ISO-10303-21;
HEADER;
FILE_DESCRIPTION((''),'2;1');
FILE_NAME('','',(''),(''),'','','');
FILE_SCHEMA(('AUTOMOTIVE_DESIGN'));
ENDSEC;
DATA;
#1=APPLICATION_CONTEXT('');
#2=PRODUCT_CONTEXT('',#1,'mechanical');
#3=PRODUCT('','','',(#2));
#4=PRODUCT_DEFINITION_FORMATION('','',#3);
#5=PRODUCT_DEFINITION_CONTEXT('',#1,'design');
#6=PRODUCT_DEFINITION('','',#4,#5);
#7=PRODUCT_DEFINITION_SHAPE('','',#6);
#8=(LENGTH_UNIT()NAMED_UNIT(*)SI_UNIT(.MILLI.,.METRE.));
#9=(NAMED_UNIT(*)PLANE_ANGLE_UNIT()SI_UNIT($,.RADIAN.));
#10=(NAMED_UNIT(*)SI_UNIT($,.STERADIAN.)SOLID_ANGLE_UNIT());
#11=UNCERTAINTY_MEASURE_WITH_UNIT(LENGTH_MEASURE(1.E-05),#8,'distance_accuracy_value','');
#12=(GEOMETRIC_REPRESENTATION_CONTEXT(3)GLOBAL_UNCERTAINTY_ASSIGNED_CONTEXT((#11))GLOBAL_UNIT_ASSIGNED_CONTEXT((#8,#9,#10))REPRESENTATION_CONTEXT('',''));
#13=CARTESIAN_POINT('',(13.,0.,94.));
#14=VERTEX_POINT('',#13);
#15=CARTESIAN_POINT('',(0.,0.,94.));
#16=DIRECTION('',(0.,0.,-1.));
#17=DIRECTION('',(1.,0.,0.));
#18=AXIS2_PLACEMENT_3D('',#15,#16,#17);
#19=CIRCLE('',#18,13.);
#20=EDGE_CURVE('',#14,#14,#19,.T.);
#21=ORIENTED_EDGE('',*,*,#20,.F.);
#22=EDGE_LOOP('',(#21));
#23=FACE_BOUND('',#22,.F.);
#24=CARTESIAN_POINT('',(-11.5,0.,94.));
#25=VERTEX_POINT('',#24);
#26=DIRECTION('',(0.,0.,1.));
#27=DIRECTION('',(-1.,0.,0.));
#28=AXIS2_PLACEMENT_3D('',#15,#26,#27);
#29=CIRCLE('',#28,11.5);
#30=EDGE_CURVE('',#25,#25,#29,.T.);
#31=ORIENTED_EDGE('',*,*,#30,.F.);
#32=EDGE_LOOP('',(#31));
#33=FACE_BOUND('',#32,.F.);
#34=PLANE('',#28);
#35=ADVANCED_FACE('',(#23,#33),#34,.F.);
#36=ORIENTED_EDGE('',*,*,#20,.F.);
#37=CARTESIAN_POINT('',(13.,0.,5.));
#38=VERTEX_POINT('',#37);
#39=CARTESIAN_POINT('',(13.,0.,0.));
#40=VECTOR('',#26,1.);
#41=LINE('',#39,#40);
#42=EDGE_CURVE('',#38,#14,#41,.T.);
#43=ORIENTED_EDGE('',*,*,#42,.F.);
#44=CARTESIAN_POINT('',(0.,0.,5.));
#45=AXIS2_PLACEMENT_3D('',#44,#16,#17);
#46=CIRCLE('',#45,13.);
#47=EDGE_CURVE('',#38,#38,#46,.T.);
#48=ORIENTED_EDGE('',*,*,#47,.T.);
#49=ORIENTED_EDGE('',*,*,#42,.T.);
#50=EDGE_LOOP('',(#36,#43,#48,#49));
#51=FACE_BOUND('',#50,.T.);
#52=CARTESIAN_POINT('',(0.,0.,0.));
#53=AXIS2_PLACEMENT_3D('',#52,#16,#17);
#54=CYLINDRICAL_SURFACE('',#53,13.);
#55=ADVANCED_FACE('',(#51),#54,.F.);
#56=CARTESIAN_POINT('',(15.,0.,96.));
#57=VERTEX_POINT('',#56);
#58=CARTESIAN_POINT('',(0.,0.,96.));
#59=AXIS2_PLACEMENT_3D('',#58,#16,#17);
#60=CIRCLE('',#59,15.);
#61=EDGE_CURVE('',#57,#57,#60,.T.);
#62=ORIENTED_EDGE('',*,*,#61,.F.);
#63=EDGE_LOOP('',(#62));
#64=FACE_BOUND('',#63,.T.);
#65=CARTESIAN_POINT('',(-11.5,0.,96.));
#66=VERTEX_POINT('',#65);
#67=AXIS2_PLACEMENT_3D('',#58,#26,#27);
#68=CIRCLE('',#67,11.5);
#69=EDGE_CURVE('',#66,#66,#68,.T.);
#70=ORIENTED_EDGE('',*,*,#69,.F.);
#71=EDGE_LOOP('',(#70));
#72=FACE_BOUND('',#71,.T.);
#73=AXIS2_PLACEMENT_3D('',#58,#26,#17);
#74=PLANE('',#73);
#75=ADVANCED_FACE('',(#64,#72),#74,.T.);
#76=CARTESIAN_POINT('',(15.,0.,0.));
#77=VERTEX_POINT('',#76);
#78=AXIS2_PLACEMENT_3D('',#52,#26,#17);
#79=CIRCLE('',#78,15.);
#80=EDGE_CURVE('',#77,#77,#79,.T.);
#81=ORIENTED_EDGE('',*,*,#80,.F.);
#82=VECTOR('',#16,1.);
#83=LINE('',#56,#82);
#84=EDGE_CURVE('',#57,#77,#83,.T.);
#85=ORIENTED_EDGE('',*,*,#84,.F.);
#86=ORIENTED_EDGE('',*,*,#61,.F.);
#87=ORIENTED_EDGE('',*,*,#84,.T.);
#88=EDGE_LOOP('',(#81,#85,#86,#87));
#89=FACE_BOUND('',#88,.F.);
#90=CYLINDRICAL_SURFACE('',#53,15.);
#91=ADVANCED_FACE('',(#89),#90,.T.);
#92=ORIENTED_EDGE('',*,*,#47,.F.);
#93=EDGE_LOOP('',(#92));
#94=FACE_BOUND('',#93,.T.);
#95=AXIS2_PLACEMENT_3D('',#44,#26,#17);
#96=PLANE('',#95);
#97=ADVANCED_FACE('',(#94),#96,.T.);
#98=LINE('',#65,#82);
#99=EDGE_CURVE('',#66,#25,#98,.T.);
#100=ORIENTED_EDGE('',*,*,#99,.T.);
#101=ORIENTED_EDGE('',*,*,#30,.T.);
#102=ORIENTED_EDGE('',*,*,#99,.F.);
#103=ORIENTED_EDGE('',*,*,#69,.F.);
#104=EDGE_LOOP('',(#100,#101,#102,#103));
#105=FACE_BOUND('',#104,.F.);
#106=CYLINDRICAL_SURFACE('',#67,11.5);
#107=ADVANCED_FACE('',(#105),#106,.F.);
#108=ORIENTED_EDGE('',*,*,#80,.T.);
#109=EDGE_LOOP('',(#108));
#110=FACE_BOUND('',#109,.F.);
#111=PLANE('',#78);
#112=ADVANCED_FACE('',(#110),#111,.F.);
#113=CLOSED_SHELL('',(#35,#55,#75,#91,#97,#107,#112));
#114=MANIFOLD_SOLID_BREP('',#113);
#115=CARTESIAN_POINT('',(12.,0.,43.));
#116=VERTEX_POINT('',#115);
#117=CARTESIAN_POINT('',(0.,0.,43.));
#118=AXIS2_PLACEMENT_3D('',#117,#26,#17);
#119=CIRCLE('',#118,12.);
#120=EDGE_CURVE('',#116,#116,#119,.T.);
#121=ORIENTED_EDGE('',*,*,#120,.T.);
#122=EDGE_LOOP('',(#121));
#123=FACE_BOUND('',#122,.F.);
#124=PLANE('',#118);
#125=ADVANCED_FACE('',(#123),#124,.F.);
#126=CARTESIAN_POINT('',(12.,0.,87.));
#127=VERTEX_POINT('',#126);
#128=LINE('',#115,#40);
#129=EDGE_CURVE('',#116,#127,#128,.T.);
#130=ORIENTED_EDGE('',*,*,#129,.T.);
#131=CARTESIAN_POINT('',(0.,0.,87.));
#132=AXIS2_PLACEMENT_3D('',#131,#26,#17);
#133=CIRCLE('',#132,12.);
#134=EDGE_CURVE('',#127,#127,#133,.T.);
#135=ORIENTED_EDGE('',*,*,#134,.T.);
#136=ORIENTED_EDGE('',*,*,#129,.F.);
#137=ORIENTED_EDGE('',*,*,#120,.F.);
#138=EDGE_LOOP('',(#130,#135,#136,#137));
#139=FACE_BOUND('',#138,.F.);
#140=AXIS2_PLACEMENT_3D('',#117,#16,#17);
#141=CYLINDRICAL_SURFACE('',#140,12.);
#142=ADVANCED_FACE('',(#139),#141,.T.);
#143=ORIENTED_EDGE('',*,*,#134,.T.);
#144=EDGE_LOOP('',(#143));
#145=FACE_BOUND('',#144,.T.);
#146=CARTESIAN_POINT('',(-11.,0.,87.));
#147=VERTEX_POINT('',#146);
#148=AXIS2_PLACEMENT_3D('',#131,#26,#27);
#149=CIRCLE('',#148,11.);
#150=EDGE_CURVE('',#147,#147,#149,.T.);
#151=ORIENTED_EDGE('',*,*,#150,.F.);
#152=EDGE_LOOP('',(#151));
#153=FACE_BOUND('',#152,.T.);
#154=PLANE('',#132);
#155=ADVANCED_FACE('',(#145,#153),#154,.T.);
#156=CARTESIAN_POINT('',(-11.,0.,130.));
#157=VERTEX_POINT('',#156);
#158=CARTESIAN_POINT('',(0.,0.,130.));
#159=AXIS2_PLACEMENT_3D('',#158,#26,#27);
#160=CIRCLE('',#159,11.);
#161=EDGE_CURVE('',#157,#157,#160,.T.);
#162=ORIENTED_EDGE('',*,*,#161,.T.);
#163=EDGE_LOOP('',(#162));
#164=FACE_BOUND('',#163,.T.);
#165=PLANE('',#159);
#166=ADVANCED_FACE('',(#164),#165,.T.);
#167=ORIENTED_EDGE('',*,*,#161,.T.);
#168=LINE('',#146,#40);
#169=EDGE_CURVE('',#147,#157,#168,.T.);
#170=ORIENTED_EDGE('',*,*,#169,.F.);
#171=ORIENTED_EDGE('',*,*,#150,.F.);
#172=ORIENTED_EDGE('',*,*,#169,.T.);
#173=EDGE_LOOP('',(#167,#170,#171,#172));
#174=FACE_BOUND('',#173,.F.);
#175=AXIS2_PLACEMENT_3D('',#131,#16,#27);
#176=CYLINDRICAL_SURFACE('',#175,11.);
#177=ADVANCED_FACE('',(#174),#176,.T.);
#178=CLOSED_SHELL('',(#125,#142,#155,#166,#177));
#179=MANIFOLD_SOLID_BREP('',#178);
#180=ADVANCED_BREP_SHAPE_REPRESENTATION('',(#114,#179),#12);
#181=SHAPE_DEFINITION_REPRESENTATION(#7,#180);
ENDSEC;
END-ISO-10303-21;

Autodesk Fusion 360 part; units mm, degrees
sketch "Sketch1" plane through (0, 0, 0) normal (0, 0, 1) x (1, 0, 0)
  circle A0 centre (0, 0) radius 15
  circle A1 centre (0, 0) radius 13
  circle A2 centre (0, 0) radius 10
  circle A3 centre (0, 0) radius 11.5
  dimension "d1" = 30
  dimension "d2" = 2
  dimension "d3" = 20
  dimension "d5" = 1.5
extrude "Extrude1" add sketch "Sketch1" along normal blind 5 contours A0 | A1 | A2 | A3 makes body 1
extrude "Extrude2" add sketch "Sketch1" along normal blind 96 contours A0 bodies 1
ref_plane "WorkPlane2" through (0, 0, 43) normal (0, 0, 1) x (1, 0, 0)
sketch "Sketch3" plane through (0, 0, 43) normal (0, 0, 1) x (1, 0, 0)
  circle A0 centre (0, 0) radius 12
  dimension "d12" = 24
sketch "Sketch4" plane through (0, 0, 43) normal (0, 0, 1) x (1, 0, 0)
extrude "Extrude3" add sketch "Sketch3" along normal blind 44 separate body makes body 2
sketch "Sketch5" plane through (0, 0, 96) normal (0, 0, 1) x (-1, 0, 0)
  circle A0 centre (0, 0) radius 13
  circle A1 centre (0, 0) radius 15
  circle A2 centre (0, 0) radius 15
extrude "Extrude4" add sketch "Sketch5" against normal blind 2 contours A0 | A1 A2 bodies 1
sketch "Sketch6" plane through (0, 0, 96) normal (0, 0, 1) x (-1, 0, 0)
  circle A0 centre (0, 0) radius 15
  circle A1 centre (0, 0) radius 11.5
  dimension "d17" = 23
extrude "Extrude5" cut sketch "Sketch6" against normal blind 3 contours A1 bodies 1
sketch "Sketch7" plane through (0, 0, 87) normal (0, 0, 1) x (-1, 0, 0)
  circle A0 centre (0, 0) radius 12
  circle A1 centre (0, 0) radius 11
  dimension "d22" = 22
extrude "Extrude6" add sketch "Sketch7" along normal blind 43 contours A1 bodies 2
